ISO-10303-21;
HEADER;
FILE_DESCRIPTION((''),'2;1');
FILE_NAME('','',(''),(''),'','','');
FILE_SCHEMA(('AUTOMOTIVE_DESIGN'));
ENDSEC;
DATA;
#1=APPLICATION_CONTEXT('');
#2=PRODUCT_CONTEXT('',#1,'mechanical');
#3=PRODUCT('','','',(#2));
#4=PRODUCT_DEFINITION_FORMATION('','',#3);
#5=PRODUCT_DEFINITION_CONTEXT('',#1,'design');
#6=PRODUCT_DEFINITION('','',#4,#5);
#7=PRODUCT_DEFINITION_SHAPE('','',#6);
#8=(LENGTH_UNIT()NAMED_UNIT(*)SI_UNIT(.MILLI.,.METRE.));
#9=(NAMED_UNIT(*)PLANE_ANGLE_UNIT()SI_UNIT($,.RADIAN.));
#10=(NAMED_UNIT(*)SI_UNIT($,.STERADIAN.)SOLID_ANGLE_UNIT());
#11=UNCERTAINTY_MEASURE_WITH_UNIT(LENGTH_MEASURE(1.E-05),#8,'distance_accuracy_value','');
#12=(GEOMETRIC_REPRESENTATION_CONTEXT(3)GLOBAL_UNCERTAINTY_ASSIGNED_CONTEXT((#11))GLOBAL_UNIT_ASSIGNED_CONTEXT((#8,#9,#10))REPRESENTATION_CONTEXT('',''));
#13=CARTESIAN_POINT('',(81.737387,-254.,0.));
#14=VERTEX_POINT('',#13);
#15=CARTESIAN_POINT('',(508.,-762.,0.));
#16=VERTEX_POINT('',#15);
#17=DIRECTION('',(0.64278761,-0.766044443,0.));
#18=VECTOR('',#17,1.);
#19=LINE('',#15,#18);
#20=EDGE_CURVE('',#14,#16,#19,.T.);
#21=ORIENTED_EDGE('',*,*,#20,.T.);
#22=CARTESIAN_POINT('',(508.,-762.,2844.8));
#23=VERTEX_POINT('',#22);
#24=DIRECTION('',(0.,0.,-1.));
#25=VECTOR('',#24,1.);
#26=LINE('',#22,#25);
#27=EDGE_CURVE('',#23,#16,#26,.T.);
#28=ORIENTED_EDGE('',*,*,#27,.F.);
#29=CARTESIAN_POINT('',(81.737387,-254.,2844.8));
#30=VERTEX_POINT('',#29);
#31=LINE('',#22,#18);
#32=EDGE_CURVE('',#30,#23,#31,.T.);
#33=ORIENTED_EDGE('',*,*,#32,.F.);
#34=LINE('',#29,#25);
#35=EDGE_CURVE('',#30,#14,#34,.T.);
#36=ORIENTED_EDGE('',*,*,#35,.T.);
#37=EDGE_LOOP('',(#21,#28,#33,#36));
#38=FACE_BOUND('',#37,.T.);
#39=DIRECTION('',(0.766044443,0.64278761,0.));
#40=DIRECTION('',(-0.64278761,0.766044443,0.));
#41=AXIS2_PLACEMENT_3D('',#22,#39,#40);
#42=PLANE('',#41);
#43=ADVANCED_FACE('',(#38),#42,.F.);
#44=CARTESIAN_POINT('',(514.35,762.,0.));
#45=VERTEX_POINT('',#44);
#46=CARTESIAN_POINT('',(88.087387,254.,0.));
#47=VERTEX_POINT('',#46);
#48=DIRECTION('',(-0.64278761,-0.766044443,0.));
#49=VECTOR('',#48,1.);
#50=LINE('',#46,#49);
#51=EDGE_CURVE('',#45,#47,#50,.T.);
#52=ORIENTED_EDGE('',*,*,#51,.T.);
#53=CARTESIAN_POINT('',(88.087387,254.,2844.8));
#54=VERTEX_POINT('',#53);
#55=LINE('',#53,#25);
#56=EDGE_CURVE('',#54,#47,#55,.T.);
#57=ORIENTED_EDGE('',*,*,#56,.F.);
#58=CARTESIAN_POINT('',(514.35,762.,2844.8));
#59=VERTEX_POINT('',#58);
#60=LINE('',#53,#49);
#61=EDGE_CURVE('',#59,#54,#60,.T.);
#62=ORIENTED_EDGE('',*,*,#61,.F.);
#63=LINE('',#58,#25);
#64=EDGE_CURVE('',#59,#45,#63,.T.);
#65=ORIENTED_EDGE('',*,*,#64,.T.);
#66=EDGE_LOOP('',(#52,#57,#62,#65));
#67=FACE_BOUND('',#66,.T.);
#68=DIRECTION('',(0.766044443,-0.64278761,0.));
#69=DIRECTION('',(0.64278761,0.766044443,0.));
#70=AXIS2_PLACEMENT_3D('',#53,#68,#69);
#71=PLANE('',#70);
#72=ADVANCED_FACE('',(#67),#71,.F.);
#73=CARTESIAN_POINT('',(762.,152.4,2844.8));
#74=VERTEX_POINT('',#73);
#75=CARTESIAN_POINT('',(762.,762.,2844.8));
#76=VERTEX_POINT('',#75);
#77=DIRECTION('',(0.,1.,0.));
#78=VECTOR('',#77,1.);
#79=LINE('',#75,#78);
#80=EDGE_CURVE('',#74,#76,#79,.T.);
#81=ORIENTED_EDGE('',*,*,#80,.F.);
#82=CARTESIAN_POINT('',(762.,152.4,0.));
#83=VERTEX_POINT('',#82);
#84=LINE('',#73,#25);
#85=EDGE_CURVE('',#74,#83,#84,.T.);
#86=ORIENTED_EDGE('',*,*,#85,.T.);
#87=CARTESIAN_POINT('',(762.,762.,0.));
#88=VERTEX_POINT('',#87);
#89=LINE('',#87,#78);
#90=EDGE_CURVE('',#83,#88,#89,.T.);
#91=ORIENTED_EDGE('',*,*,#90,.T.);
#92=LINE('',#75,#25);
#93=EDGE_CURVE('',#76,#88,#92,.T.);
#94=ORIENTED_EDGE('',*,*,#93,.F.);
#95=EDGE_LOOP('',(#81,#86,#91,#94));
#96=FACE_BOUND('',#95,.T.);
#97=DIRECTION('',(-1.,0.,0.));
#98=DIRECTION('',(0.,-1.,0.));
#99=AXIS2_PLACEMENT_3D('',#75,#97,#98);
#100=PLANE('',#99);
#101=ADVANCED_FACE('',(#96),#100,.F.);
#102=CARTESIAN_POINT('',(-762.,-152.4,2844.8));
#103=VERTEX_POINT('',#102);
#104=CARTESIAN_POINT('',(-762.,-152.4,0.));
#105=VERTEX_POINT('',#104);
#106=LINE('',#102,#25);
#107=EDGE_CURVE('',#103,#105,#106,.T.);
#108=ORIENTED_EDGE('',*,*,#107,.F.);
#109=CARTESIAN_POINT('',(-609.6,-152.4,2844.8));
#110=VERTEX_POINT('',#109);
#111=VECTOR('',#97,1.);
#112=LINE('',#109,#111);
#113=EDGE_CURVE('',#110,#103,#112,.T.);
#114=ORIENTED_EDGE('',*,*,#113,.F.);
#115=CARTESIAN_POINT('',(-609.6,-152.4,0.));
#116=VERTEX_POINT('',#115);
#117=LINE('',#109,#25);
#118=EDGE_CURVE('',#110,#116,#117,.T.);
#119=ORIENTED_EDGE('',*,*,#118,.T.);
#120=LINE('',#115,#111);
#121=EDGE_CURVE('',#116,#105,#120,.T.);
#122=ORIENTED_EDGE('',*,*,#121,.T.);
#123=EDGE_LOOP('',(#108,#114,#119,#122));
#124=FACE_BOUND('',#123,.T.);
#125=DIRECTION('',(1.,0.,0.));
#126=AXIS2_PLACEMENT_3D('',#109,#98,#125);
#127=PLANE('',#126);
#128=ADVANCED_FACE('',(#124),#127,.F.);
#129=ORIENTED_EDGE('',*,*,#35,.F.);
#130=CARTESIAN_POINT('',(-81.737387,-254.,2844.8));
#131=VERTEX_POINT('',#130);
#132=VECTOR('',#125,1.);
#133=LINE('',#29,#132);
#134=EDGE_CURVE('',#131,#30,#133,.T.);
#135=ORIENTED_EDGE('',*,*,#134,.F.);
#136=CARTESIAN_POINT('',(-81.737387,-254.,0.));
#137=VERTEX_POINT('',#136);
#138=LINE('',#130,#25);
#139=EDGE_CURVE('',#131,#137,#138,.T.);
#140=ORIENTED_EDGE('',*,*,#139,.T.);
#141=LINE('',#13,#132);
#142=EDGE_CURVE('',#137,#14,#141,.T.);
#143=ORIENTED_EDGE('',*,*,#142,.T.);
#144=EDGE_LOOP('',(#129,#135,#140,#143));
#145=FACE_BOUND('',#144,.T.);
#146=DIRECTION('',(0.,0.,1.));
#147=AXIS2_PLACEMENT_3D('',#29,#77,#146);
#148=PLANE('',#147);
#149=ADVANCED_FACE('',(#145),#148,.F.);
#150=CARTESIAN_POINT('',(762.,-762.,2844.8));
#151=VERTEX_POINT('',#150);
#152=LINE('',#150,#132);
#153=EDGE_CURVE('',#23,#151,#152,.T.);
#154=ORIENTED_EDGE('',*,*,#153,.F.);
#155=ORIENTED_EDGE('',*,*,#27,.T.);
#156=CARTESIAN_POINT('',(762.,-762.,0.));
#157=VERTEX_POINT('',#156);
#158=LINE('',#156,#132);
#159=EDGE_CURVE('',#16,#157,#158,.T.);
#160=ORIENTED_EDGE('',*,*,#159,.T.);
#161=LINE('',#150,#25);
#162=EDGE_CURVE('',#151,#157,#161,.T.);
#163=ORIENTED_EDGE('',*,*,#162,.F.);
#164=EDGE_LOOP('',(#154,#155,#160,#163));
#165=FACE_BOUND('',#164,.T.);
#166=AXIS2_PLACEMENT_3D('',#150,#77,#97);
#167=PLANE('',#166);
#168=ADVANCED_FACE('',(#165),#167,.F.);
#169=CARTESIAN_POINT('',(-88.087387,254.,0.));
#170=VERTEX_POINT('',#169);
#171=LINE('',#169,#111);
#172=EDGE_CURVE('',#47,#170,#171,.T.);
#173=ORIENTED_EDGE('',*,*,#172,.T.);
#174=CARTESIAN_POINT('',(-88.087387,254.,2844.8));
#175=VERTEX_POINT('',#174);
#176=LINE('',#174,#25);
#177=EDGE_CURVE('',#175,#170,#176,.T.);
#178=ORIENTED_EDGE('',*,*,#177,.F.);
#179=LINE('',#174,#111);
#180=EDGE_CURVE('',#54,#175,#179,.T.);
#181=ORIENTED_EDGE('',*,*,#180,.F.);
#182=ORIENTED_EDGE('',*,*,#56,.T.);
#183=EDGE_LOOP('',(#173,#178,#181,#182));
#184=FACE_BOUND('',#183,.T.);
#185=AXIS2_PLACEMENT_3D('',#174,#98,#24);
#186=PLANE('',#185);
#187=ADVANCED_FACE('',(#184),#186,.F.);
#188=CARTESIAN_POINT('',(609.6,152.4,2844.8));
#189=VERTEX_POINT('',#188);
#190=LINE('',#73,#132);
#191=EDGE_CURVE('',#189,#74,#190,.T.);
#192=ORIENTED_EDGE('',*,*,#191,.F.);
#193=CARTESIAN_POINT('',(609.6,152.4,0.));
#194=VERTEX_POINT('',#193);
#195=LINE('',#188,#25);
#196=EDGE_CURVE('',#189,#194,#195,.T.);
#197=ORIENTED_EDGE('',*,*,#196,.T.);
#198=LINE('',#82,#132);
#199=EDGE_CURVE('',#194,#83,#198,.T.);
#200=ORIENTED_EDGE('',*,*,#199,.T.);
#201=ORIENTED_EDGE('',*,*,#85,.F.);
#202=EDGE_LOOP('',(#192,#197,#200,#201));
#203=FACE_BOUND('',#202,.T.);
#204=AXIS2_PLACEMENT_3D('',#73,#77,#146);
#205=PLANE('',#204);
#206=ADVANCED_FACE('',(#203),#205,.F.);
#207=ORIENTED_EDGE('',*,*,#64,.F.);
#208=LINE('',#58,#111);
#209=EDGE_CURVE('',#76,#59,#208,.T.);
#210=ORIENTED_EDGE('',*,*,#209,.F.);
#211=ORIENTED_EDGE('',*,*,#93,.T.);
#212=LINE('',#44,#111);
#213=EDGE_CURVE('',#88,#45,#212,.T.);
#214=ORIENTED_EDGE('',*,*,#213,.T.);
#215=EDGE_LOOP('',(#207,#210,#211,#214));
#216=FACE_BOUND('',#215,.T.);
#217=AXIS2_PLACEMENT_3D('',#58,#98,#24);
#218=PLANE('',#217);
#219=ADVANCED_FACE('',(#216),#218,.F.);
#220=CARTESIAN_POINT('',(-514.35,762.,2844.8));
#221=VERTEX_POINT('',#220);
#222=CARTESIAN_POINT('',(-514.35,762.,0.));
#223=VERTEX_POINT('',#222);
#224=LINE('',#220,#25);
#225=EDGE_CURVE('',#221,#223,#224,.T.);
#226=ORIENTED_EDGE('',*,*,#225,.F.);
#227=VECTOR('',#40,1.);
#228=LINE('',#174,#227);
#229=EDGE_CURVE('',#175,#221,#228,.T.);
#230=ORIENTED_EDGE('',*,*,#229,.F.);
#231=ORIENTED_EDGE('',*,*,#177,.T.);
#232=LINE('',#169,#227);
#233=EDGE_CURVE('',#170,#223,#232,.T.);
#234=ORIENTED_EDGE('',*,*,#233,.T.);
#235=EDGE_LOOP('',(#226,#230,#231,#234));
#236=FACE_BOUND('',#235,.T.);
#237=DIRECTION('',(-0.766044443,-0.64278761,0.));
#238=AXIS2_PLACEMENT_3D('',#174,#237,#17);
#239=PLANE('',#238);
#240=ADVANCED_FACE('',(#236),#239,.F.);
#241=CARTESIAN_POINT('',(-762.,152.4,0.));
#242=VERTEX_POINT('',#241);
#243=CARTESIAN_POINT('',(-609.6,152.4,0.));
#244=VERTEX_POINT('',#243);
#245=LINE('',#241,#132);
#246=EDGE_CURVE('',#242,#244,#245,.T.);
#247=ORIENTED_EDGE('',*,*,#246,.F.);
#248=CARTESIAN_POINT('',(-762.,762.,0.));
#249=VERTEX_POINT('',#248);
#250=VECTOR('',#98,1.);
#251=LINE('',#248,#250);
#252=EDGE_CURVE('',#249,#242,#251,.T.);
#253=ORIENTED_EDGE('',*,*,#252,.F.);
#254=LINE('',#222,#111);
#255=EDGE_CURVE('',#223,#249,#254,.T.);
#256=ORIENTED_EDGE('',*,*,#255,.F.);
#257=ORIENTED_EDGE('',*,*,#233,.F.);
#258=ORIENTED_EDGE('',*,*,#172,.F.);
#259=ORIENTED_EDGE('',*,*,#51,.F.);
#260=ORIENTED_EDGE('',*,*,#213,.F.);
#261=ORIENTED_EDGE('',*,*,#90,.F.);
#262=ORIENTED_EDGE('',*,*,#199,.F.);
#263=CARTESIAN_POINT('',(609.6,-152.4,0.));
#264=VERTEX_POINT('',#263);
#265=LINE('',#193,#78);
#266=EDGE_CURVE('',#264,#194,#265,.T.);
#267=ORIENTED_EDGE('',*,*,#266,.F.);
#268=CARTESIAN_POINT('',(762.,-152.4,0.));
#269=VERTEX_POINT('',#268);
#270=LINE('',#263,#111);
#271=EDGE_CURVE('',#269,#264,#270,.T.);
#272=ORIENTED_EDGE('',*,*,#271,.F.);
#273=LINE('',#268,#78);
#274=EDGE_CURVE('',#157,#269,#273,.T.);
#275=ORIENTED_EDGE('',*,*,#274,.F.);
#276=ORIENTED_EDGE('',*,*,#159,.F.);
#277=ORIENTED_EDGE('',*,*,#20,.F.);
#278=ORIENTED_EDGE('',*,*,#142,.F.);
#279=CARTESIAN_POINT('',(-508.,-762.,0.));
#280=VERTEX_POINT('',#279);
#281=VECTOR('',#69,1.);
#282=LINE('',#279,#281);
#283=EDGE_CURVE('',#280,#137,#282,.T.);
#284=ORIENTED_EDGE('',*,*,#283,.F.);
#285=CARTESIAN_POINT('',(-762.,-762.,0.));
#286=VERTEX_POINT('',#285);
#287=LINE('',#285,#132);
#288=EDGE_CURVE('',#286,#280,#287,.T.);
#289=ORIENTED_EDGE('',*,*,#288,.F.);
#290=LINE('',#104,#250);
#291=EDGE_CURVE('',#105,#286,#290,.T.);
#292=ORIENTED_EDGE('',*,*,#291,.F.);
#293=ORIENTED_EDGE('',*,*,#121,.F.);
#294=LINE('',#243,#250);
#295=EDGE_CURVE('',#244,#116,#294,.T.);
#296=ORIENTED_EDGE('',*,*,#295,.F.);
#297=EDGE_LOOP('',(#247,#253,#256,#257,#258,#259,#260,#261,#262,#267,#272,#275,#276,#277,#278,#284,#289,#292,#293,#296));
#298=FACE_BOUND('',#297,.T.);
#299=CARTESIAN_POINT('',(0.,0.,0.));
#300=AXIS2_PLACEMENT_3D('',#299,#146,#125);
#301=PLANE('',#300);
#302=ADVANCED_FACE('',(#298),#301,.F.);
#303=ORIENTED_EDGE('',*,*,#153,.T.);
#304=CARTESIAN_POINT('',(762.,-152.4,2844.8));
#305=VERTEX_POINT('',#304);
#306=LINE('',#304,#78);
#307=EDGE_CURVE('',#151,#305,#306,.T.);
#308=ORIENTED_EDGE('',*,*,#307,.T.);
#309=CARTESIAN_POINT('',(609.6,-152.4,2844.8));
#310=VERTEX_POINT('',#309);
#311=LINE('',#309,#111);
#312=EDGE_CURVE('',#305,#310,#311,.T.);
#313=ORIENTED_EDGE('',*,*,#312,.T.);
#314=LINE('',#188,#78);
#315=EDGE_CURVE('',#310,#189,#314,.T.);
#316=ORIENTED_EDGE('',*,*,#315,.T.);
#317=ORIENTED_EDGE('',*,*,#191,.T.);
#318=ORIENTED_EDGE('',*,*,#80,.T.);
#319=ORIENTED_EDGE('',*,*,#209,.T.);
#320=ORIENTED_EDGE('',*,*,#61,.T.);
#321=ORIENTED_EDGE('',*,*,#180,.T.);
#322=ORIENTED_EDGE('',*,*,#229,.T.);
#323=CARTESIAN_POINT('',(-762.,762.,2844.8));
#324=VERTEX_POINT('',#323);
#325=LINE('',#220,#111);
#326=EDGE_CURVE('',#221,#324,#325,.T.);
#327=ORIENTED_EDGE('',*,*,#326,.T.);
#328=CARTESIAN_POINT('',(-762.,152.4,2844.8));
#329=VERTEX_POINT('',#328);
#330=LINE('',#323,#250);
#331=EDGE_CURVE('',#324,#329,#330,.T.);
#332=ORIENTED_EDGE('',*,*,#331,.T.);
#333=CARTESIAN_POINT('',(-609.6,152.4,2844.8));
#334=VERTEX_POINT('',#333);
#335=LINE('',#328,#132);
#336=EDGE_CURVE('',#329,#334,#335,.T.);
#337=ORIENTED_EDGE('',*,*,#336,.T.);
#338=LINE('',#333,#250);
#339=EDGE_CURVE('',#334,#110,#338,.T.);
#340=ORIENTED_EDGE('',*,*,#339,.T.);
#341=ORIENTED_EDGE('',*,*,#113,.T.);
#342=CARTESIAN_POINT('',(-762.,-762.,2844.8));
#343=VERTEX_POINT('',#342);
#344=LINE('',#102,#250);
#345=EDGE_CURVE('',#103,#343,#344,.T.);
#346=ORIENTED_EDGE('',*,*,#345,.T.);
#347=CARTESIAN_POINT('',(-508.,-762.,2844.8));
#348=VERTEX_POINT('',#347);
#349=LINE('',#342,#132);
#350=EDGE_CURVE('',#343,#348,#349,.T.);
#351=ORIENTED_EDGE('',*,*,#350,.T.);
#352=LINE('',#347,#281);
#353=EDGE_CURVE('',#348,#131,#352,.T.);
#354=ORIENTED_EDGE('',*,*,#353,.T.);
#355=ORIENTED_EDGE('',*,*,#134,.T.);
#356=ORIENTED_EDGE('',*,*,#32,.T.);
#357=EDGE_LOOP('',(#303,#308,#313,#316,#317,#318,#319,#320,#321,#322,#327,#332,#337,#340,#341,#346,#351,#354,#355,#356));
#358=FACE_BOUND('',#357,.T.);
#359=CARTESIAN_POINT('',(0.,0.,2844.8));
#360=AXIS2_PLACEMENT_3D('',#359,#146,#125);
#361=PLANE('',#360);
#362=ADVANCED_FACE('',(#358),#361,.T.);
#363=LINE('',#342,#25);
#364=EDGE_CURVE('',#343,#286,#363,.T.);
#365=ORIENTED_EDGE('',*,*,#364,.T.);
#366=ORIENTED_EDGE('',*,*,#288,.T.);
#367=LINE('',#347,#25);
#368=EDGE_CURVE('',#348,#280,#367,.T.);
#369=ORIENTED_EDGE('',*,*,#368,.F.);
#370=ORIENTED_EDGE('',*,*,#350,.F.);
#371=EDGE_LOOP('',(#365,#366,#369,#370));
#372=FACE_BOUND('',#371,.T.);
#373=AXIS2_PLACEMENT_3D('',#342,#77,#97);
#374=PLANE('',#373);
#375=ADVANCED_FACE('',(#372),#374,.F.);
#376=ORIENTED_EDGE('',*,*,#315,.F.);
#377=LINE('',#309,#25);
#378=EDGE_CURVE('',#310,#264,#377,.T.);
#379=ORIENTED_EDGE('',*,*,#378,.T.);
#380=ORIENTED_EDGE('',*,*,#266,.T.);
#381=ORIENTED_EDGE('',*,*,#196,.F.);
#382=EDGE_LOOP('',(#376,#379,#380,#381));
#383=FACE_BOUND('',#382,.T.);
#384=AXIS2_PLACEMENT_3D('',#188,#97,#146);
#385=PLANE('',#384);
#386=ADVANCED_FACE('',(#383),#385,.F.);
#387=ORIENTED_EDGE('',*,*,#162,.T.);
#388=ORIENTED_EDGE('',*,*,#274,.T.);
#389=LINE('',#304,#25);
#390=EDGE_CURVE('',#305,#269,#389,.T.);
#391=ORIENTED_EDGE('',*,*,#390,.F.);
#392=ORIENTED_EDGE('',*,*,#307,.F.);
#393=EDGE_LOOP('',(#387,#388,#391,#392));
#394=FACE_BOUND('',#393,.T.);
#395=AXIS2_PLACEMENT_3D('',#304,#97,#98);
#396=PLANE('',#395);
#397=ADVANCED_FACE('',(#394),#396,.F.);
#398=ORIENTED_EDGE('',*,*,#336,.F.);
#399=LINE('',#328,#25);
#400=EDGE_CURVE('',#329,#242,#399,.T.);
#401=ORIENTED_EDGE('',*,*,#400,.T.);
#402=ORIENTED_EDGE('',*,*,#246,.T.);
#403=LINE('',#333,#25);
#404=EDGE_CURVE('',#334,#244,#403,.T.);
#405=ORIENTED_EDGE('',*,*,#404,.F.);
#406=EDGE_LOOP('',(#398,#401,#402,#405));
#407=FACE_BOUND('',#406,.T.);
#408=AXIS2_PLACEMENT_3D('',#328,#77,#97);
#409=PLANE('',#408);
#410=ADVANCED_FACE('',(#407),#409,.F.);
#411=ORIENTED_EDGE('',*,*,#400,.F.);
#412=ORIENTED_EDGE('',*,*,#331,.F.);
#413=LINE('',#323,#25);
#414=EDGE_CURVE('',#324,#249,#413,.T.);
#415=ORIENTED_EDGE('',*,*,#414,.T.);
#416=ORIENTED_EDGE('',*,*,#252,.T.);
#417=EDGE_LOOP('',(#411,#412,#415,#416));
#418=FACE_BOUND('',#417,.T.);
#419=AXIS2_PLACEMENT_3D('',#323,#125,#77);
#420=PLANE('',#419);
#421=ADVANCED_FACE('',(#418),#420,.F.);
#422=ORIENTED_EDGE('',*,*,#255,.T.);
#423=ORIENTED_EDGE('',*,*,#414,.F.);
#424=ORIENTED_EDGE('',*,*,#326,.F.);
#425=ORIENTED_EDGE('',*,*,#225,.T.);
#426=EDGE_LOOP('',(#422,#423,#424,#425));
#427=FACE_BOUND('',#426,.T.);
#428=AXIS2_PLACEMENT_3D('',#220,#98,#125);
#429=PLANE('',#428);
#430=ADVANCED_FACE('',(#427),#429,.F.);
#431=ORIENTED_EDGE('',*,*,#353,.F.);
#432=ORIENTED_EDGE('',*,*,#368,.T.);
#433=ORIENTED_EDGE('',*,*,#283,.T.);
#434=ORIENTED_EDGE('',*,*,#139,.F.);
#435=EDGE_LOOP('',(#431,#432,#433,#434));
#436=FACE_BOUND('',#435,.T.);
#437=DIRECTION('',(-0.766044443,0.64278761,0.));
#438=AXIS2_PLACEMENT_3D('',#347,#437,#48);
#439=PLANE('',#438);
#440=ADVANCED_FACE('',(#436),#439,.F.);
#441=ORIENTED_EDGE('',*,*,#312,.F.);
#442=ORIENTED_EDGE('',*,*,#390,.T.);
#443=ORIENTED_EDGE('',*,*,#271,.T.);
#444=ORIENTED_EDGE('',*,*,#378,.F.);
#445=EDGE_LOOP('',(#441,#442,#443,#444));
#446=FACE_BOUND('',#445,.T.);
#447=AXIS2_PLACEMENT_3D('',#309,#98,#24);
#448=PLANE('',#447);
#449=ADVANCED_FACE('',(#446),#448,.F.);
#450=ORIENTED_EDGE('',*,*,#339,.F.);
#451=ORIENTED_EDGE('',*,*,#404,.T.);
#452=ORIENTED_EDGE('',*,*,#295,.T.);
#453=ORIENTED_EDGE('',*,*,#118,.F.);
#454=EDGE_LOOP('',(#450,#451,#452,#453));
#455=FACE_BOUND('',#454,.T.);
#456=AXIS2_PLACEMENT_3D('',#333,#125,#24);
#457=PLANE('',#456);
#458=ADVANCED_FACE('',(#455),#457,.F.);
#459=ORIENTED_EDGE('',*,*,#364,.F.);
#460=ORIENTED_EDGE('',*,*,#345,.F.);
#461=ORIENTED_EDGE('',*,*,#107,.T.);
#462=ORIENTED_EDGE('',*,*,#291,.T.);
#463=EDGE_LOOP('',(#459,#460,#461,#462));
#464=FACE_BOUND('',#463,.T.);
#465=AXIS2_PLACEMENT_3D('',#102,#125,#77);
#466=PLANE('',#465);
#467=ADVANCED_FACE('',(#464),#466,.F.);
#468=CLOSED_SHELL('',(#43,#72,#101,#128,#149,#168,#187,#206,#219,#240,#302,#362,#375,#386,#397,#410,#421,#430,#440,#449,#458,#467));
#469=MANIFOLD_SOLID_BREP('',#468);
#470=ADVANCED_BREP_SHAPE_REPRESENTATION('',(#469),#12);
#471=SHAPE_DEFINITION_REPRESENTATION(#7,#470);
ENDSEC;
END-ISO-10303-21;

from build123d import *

# Parameters (mm, degrees)
BOSS_EXTRUDE1_DEPTH = 2844.8


with BuildPart() as part:
    # Sketch1 → Boss-Extrude1 (new body)
    with BuildSketch(Plane.XY):
        Polygon((-88.087387362, 254), (88.087387362, 254), (514.35, 762), (762, 762), (762, 152.4), (609.6, 152.4), (609.6, -152.4), (762, -152.4), (762, -762), (508, -762), (81.737387362, -254), (-81.737387362, -254), (-508, -762), (-762, -762), (-762, -152.4), (-609.6, -152.4), (-609.6, 152.4), (-762, 152.4), (-762, 762), (-514.35, 762), align=None)
    extrude(amount=BOSS_EXTRUDE1_DEPTH)


solid = part.part
